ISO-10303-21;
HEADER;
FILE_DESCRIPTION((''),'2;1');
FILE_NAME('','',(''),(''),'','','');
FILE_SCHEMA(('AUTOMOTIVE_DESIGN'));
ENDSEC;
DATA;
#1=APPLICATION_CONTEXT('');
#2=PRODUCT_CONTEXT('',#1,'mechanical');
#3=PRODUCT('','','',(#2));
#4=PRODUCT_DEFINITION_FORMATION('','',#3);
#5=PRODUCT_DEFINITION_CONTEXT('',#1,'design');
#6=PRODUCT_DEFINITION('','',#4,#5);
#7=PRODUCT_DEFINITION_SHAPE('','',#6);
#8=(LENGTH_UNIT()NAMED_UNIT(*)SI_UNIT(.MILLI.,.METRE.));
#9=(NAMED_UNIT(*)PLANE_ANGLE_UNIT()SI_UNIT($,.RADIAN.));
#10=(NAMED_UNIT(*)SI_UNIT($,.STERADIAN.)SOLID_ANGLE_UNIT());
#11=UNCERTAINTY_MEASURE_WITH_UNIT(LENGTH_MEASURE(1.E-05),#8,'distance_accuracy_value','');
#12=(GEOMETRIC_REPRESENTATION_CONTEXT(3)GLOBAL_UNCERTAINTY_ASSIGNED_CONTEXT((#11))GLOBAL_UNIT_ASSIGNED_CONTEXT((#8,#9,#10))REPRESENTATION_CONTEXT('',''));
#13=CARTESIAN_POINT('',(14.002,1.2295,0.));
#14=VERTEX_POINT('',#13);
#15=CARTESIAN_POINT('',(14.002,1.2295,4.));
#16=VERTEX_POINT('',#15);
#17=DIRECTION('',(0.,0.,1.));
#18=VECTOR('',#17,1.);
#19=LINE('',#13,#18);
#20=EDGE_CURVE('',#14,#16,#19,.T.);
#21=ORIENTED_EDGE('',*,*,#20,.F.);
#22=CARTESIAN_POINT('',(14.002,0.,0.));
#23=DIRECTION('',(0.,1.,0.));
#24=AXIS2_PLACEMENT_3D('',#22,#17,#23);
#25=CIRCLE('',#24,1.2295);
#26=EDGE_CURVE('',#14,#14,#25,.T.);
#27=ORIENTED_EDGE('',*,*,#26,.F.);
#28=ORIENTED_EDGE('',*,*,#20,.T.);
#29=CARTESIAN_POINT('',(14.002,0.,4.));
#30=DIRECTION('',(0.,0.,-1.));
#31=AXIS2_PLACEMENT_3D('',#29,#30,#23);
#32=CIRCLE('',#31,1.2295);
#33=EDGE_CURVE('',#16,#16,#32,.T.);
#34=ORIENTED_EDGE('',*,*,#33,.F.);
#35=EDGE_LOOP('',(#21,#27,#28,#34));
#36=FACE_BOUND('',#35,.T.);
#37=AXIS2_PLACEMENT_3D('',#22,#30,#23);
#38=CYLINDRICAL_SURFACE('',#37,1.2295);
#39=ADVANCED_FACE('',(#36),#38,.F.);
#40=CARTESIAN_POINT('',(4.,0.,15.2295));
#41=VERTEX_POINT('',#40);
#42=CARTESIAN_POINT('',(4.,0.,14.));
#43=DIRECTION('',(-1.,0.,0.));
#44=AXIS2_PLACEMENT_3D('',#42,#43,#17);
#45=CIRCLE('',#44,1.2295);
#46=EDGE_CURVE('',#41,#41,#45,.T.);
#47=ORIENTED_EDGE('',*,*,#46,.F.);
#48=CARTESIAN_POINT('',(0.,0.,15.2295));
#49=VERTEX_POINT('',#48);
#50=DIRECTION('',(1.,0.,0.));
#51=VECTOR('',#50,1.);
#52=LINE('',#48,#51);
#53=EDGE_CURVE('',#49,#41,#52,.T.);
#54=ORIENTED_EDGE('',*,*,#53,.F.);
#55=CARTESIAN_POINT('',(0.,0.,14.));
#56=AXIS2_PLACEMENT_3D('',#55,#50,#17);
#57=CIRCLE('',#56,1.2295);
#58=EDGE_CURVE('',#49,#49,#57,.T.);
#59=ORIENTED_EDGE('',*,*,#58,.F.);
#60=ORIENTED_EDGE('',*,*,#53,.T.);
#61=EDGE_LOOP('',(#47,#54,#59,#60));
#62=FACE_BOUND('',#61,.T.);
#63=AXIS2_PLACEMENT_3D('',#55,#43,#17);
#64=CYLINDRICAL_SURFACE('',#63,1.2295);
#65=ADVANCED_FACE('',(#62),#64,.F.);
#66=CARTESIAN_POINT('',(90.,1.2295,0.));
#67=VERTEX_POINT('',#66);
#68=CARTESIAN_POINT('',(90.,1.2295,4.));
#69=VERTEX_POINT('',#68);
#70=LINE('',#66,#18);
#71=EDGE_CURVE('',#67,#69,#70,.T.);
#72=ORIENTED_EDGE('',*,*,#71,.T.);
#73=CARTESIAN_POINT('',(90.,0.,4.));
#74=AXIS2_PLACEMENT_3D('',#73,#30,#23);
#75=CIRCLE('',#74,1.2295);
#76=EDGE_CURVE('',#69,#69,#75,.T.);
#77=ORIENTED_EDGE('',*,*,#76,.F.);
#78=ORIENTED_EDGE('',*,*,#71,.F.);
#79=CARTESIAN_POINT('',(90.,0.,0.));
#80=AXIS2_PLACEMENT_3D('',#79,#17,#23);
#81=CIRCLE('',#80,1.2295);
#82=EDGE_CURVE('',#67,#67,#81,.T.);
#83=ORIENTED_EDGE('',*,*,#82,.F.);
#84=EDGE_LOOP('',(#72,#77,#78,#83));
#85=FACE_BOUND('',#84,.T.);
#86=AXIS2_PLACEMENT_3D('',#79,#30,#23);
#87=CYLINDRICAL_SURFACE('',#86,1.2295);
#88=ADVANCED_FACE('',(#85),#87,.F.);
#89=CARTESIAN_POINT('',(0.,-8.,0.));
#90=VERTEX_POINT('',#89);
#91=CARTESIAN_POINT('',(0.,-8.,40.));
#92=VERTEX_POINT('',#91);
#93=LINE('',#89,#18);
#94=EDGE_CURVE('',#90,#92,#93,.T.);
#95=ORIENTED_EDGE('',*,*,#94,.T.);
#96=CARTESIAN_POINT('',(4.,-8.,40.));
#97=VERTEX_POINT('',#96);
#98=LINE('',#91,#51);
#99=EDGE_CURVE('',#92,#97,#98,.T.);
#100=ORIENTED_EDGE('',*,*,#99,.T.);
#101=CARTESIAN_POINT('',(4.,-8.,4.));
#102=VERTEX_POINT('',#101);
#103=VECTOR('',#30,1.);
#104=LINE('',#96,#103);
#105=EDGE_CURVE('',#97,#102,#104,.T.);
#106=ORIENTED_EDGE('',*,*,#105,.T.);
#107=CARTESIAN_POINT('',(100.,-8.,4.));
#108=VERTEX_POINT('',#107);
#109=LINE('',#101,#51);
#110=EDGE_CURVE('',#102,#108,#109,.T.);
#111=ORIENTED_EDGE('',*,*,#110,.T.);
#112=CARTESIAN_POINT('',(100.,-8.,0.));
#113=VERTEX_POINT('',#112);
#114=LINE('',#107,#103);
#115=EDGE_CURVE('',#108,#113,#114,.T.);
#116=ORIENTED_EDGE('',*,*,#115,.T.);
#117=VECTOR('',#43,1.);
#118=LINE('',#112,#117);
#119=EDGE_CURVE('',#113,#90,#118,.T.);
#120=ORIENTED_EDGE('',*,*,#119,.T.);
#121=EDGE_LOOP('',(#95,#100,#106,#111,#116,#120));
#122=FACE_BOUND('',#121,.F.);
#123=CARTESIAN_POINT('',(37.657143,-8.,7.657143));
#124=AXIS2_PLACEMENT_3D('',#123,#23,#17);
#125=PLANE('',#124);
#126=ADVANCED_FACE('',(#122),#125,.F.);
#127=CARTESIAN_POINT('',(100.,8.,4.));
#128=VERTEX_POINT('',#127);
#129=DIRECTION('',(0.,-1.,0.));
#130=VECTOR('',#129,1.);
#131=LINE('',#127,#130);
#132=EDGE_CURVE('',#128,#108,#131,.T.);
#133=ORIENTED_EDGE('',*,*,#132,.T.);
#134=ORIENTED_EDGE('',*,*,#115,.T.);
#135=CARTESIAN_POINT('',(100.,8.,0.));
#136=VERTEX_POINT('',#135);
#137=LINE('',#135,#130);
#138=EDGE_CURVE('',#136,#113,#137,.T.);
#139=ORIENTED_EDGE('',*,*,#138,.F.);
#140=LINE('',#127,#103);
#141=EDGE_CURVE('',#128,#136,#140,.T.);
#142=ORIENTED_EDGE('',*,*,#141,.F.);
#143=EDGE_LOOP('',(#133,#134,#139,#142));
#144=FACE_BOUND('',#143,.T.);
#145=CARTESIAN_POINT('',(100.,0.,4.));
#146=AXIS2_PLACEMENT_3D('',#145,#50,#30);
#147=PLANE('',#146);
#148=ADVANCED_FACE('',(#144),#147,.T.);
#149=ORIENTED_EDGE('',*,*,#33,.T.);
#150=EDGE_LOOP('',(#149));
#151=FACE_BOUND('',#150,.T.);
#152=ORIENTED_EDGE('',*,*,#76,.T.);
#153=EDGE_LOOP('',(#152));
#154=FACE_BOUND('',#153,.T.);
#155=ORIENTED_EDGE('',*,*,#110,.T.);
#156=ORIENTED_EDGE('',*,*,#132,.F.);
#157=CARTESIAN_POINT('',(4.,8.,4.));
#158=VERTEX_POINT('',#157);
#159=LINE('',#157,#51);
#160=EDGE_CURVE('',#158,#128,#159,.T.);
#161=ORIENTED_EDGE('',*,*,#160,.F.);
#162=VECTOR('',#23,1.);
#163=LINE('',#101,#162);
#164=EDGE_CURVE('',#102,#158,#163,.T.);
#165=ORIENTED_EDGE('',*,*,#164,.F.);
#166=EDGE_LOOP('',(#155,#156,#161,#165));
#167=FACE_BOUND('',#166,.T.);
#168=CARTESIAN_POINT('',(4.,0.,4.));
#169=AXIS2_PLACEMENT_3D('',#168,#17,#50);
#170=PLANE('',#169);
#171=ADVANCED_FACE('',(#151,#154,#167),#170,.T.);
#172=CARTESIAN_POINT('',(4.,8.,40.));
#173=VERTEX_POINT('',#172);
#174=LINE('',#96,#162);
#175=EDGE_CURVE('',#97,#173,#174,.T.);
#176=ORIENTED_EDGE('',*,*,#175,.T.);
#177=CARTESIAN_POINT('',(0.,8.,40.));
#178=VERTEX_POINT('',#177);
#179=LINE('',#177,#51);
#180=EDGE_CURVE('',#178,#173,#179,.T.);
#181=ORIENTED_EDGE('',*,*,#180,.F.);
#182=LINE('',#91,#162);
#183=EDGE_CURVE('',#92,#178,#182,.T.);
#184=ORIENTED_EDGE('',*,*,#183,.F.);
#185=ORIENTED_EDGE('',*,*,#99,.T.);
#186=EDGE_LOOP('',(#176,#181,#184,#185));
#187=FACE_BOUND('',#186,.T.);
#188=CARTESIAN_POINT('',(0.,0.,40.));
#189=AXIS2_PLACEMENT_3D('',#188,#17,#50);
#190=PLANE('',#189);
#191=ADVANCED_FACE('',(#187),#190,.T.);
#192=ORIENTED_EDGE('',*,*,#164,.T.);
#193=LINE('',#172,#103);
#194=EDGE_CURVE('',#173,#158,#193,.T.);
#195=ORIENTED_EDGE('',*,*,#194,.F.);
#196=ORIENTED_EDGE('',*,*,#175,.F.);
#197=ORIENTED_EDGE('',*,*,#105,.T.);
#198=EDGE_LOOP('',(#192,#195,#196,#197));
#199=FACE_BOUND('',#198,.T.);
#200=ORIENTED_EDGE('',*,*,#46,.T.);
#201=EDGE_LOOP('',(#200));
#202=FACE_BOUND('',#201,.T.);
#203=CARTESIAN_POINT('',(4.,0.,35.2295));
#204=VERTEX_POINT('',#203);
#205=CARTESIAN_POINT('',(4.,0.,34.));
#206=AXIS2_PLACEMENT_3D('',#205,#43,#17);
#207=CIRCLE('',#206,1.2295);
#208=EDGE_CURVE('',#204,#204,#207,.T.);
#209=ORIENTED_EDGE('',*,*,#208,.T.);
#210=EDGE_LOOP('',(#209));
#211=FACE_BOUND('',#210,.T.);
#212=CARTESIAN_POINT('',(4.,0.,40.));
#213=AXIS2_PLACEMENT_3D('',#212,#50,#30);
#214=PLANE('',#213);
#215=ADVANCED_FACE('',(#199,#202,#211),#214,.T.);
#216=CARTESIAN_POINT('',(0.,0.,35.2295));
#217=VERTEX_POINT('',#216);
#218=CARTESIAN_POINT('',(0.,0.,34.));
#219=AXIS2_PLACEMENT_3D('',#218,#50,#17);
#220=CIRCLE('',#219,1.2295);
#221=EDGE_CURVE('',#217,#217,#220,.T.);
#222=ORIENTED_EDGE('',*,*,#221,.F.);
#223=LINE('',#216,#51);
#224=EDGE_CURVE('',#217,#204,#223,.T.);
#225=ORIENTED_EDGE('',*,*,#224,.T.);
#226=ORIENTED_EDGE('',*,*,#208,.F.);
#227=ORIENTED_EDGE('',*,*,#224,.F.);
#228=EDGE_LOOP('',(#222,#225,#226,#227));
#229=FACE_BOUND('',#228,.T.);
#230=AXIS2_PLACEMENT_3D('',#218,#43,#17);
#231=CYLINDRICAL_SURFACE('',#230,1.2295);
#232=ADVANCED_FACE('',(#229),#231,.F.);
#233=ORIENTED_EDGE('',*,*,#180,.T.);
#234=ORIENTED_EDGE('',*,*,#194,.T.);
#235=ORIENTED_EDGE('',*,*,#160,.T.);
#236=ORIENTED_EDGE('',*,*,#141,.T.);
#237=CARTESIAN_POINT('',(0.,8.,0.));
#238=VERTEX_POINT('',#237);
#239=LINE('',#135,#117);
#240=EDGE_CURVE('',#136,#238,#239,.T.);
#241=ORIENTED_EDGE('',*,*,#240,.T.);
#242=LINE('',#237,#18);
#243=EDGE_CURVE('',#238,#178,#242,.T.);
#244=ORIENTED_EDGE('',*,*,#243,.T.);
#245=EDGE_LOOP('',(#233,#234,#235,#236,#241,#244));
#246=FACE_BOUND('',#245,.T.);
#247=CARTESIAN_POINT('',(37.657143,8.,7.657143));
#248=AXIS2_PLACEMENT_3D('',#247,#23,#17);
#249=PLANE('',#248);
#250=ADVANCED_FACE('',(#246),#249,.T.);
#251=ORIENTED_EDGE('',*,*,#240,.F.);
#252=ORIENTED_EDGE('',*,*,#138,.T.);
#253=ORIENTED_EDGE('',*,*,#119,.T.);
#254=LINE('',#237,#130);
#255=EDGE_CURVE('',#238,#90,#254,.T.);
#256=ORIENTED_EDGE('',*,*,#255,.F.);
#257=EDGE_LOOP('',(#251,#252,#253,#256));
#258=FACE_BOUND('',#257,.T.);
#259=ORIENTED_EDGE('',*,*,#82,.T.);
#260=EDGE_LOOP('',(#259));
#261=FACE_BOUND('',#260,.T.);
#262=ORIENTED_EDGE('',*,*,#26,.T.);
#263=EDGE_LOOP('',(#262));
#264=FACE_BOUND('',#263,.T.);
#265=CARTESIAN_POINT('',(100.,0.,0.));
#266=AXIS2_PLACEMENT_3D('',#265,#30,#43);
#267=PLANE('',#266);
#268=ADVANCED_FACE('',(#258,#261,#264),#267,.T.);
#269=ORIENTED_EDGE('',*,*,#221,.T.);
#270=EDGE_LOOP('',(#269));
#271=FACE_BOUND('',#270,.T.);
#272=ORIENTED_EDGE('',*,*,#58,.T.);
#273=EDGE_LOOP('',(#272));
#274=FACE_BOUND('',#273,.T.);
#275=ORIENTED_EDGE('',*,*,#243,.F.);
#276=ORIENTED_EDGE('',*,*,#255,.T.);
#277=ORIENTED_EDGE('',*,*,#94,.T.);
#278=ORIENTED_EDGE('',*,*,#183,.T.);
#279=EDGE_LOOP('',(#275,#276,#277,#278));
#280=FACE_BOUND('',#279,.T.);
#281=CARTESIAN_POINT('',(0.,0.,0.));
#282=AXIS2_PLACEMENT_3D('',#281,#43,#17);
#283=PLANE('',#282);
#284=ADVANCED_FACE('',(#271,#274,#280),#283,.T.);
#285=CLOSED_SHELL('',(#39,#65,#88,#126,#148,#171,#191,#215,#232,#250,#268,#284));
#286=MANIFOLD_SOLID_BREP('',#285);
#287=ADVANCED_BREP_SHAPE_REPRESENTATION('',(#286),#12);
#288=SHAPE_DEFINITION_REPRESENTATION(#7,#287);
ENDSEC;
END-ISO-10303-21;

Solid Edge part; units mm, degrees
sketch "Sketch1" plane through (0, 0, 0) normal (0, -1, 0) x (1, 0, 0)
  line L0 (0, 0) -> (0, 40)
  line L1 (0, 40) -> (4, 40)
  line L2 (4, 40) -> (4, 4)
  line L3 (4, 4) -> (100, 4)
  line L4 (100, 4) -> (100, 0)
  line L5 (100, 0) -> (0, 0)
  dimension "D1" = 4
  dimension "D2" = 40
  dimension "D3" = 100
  dimension "D4" = 4
extrude "Protrusion1" add sketch "Sketch1" along normal mid plane 16
hole "Hole1" at (0, 0, 14) direction (1, 0, 0) diameter 2.459 end up to next
hole "Hole2" at (0, 0, 34) direction (1, 0, 0) diameter 2.459 end up to next
hole "Bohrung_3" at (14.002, 0, 0) direction (0, 0, 1) diameter 2.459 end up to next
hole "Hole3" at (90, 0, 0) direction (0, 0, 1) diameter 2.459 end up to next
properties material "Aluminiumlegierung:3.3535 , AlMg3, EN-AW 5754"
